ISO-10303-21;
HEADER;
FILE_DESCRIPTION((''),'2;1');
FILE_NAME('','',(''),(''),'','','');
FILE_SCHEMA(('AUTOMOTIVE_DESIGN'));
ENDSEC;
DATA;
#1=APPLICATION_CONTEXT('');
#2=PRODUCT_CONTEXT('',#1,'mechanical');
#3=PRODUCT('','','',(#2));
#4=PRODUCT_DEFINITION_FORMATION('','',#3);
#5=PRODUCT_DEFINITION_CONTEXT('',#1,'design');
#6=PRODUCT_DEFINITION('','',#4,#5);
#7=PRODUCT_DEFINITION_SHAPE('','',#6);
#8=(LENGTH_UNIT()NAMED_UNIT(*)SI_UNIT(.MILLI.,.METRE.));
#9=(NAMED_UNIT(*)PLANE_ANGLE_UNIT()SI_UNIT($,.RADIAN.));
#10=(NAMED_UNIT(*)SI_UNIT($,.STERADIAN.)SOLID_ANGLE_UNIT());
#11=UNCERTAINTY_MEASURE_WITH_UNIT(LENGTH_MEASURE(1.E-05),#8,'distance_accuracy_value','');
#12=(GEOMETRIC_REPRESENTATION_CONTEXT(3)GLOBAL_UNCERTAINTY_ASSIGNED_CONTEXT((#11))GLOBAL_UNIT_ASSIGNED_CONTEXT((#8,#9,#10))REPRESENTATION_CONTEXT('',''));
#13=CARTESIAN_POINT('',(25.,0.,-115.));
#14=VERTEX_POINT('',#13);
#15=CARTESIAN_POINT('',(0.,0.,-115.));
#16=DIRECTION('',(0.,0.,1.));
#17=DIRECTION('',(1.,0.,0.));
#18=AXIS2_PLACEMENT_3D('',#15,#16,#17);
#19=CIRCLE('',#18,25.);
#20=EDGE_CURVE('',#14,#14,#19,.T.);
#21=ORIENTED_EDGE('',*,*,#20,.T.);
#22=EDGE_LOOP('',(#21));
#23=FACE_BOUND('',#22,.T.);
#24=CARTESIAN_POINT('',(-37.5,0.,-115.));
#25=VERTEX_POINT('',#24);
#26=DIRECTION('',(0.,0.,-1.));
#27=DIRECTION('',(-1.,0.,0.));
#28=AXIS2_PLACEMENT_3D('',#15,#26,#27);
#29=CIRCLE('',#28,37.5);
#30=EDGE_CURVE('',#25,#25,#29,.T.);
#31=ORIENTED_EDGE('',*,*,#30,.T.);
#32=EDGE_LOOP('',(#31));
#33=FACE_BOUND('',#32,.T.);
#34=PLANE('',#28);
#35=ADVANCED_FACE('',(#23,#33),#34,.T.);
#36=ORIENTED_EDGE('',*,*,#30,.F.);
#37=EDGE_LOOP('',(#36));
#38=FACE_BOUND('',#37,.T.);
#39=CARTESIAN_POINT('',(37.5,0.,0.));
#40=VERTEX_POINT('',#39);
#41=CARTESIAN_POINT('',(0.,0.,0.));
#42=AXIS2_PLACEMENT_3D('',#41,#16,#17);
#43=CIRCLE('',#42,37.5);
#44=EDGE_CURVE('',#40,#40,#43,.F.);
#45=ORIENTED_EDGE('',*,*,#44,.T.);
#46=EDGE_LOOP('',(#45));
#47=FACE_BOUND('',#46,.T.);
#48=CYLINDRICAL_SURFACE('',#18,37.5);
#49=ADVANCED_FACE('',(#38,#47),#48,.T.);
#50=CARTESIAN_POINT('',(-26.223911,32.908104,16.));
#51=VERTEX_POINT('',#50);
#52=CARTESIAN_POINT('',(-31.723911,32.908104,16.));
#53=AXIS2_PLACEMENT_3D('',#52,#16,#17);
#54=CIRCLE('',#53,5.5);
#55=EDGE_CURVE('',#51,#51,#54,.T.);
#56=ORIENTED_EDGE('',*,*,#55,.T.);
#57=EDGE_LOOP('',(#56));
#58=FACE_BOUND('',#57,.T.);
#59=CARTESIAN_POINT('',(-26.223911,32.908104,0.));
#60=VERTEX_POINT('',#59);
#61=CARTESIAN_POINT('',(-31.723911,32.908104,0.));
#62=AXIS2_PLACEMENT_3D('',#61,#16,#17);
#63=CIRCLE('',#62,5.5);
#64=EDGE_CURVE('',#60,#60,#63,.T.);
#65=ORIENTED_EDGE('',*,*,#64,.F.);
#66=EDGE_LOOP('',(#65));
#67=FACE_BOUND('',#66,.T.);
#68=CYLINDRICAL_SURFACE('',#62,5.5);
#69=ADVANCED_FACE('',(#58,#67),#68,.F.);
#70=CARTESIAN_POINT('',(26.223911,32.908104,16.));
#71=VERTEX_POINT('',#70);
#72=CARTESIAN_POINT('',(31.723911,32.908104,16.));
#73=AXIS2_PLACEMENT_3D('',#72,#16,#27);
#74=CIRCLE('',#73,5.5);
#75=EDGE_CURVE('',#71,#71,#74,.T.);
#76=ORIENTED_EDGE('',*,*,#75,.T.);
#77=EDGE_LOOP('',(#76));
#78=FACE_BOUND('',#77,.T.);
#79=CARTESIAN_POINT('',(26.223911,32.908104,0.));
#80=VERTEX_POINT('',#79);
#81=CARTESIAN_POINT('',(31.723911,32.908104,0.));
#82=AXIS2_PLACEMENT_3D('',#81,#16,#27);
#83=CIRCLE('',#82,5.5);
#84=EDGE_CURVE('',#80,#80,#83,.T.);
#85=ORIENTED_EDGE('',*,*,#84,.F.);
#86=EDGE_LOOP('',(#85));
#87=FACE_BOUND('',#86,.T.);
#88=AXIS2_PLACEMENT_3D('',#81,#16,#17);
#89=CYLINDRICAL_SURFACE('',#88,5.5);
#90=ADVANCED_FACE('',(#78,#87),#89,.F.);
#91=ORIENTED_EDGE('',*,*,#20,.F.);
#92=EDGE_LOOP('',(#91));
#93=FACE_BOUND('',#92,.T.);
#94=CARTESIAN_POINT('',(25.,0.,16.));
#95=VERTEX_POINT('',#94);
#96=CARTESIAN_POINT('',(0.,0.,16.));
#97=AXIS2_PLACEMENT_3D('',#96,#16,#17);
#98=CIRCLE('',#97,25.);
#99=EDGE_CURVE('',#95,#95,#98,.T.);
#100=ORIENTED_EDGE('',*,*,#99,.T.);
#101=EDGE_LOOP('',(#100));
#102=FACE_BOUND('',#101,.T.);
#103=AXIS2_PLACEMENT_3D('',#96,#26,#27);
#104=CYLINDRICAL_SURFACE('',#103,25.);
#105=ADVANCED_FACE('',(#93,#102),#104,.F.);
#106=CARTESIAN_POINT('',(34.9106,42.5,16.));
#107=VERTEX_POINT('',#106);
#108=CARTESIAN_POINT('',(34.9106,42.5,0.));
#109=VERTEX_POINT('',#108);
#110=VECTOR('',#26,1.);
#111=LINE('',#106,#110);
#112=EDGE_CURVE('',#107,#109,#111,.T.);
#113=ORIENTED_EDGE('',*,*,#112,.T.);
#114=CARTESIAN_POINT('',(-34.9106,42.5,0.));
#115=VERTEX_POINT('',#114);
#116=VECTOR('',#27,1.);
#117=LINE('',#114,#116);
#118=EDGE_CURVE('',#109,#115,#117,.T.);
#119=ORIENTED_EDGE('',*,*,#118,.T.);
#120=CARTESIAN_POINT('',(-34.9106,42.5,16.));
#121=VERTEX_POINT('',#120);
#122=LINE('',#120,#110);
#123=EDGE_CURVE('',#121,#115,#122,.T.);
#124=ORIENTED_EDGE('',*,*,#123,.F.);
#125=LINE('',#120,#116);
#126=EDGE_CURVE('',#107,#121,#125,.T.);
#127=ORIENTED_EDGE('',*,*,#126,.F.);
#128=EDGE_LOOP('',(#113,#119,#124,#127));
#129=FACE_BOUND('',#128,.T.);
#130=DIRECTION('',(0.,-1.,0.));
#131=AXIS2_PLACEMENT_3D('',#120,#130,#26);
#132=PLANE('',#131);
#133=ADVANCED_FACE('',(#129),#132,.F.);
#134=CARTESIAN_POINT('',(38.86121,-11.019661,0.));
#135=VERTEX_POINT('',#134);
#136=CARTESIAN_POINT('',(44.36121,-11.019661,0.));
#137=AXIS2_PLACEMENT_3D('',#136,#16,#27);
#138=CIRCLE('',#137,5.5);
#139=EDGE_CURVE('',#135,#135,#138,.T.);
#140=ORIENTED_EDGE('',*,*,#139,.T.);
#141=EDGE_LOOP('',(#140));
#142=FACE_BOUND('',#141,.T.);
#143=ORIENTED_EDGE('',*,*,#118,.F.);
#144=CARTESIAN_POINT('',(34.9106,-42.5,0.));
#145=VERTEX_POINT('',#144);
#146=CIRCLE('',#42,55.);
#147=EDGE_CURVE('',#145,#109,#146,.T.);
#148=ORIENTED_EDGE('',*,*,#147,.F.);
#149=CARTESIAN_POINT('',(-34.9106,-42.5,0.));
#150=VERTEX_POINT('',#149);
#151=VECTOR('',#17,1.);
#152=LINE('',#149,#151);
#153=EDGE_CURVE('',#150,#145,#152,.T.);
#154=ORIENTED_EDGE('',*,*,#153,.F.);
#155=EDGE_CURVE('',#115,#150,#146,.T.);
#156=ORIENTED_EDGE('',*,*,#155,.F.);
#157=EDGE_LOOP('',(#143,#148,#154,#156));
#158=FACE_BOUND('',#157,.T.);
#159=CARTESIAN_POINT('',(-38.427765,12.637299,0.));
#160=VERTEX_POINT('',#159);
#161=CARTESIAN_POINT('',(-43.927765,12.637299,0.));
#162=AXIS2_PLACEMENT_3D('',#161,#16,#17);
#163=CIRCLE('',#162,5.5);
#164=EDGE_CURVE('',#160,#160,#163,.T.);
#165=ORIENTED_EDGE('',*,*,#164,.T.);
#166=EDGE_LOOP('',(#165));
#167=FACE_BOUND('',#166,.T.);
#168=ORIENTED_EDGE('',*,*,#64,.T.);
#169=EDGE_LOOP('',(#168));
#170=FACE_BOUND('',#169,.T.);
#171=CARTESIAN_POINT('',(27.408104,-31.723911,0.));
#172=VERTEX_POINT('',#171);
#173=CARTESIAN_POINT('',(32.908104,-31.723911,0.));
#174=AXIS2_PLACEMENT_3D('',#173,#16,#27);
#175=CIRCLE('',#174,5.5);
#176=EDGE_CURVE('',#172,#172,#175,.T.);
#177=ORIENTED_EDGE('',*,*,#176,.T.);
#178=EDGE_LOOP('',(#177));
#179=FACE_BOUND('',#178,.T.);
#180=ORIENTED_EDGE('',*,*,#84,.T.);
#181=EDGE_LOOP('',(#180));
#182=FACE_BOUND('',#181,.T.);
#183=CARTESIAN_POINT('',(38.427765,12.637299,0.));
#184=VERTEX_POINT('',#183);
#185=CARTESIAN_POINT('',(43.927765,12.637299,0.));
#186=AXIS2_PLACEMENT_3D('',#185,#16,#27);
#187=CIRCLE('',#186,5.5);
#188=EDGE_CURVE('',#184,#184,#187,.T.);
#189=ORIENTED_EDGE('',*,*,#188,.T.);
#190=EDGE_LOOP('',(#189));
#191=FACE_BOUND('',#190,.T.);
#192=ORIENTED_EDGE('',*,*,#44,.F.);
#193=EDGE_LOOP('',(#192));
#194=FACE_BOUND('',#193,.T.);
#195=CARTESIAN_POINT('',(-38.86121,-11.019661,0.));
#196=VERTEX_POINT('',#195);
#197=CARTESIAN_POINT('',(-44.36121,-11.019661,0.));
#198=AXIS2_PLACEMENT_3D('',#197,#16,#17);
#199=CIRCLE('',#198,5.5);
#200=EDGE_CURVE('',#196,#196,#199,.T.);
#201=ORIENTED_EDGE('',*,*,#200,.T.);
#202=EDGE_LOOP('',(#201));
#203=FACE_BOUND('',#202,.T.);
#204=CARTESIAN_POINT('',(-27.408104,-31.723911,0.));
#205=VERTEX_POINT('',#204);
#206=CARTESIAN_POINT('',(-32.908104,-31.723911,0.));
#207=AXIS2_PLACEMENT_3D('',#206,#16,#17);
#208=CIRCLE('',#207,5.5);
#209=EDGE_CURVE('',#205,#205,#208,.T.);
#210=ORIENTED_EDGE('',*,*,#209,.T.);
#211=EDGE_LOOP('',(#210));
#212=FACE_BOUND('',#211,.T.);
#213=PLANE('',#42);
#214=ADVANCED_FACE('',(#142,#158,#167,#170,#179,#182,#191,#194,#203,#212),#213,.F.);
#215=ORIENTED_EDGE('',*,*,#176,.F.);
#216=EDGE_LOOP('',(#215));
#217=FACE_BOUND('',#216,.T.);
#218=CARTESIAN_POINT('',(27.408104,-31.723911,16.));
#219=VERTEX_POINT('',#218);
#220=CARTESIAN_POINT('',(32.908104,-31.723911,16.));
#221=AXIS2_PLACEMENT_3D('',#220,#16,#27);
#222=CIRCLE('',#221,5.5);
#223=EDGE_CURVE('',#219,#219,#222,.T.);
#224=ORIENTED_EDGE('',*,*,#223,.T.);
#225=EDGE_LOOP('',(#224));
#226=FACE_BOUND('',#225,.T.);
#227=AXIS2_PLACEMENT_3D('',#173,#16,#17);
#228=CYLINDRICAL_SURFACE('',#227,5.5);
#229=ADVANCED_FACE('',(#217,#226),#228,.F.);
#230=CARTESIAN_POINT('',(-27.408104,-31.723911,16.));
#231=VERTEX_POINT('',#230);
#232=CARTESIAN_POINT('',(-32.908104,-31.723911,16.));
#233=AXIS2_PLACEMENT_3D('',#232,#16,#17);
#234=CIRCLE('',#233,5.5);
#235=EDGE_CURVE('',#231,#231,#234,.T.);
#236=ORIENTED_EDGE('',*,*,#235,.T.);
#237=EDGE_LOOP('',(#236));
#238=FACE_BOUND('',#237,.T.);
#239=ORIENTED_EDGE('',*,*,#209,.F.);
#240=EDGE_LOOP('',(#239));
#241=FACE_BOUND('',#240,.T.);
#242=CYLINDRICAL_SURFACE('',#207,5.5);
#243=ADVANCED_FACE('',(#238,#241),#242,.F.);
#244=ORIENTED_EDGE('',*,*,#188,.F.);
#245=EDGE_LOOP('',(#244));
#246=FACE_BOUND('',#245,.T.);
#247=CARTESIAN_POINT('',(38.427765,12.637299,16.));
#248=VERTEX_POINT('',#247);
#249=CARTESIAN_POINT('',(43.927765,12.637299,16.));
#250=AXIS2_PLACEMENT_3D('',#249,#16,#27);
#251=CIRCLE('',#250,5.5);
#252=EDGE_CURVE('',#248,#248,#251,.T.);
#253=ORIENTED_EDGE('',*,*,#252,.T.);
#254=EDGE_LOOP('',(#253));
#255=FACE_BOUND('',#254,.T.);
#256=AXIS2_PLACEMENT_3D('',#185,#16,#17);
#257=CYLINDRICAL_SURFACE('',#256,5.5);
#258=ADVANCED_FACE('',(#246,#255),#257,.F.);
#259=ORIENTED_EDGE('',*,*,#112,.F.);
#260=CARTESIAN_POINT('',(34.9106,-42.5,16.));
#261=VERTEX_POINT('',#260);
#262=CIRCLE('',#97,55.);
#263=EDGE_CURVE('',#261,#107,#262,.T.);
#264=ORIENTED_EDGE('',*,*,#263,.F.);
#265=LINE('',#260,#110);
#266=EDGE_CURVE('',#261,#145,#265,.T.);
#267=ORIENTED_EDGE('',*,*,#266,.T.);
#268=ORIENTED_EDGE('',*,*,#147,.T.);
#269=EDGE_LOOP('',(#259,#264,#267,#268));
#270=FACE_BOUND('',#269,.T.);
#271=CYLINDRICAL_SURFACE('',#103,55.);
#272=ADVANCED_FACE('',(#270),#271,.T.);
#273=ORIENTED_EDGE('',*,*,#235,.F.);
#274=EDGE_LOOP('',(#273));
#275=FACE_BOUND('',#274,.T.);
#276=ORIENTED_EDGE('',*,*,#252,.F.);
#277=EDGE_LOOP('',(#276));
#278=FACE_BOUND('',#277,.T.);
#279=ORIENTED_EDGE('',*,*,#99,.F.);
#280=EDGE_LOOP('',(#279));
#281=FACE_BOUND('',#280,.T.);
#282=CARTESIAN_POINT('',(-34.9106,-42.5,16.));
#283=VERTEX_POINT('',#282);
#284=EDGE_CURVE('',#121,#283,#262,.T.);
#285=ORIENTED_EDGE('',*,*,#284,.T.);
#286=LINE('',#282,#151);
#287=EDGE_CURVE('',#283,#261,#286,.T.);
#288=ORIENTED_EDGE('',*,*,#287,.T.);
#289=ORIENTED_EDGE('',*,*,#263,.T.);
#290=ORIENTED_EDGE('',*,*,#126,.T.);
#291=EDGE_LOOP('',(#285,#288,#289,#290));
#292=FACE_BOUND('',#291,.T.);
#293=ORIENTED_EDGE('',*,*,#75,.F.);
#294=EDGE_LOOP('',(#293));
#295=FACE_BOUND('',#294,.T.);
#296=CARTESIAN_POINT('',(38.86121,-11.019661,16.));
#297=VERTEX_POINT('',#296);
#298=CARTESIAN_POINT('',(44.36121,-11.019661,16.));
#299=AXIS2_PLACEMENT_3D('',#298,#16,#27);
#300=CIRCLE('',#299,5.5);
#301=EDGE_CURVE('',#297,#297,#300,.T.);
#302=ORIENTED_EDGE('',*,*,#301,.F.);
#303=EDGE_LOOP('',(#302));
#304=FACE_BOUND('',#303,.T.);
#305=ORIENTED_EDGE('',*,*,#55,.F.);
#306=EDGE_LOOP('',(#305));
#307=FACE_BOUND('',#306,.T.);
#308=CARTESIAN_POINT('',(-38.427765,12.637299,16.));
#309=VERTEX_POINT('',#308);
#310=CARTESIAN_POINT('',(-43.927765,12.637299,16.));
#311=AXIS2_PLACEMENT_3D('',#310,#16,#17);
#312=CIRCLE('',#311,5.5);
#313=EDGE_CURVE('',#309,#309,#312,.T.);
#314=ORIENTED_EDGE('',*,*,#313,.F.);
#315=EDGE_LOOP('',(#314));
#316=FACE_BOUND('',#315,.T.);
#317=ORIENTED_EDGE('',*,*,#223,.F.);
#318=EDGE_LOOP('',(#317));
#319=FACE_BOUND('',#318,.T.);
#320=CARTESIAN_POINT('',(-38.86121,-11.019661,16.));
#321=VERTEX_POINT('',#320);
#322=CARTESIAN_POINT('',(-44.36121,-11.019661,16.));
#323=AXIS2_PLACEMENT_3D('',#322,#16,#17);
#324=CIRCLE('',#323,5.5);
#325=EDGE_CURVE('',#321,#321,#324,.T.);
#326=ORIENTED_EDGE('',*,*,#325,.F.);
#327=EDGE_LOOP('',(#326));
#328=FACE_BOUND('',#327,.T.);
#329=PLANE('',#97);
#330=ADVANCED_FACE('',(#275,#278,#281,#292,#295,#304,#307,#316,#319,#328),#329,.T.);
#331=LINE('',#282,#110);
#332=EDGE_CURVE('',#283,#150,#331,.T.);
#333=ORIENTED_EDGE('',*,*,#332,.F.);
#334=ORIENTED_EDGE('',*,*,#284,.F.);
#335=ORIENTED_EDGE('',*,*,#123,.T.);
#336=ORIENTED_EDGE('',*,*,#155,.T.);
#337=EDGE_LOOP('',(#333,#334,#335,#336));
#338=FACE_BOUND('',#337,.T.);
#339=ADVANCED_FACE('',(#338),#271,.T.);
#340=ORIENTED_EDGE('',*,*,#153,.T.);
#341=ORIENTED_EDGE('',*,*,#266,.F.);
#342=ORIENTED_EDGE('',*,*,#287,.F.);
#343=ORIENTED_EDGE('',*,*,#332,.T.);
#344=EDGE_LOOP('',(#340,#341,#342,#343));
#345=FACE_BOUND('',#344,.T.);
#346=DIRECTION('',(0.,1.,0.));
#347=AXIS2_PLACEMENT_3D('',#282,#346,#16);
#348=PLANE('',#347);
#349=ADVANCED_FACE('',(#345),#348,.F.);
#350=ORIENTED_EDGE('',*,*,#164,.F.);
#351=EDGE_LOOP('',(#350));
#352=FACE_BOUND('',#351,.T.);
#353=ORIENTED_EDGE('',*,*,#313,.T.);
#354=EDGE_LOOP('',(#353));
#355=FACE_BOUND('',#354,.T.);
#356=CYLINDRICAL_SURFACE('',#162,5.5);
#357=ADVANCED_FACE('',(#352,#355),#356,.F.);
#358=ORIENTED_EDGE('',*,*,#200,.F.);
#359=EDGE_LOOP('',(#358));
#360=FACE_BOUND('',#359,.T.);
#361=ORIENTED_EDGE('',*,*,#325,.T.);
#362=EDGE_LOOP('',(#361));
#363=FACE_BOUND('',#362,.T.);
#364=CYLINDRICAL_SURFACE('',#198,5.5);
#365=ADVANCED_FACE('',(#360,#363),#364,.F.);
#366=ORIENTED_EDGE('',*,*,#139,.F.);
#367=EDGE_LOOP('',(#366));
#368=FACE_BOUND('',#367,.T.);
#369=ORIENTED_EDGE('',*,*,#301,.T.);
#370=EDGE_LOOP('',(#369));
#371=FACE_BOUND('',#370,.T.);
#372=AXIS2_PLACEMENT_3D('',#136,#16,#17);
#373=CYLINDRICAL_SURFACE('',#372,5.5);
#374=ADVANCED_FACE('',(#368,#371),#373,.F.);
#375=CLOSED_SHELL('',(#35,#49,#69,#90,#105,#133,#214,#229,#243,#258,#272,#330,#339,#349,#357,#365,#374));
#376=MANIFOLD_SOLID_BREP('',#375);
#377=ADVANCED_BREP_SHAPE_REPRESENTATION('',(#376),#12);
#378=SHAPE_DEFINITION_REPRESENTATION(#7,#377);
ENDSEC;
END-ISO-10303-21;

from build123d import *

# Parameters (mm, degrees)
SKETCH_1_R          = 25
EXTRUDE_1_DEPTH     = 16
SKETCH_2_R          = 5.5
CUT_EXTRUDE_1_DEPTH = 72.324960568
SKETCH_3_R          = 37.5
EXTRUDE_2_DEPTH     = 115
SKETCH_4_R          = 25
CUT_EXTRUDE_2_DEPTH = 135.373546504


with BuildPart() as part:
    # 草图1 → 凸台-拉伸1 (new body)
    with BuildSketch(Plane.XY):
        with BuildLine():
            Line((-34.910600109, 42.5), (34.910600109, 42.5))
            ThreePointArc((34.910600109, 42.5), (55, 0), (34.910600109, -42.5))
            Line((34.910600109, -42.5), (-34.910600109, -42.5))
            ThreePointArc((-34.910600109, -42.5), (-55, 0), (-34.910600109, 42.5))
        make_face()
        Circle(SKETCH_1_R, mode=Mode.SUBTRACT)
    extrude(amount=EXTRUDE_1_DEPTH)

    # 草图2 → 切除-拉伸1 (cut, through all)
    with BuildSketch(Plane.XY.offset(16)):
        with Locations((-31.723911196, 32.908104345)):
            Circle(SKETCH_2_R)
        with Locations((-43.927765176, 12.637298755)):
            Circle(SKETCH_2_R)
        with Locations((-44.361209952, -11.019660831)):
            Circle(SKETCH_2_R)
        with Locations((-32.908104345, -31.723911196)):
            Circle(SKETCH_2_R)
        with Locations(Location((32.908104345, -31.723911196, 0), (0, 0, 180))):
            Circle(SKETCH_2_R)
        with Locations(Location((44.361209952, -11.019660831, 0), (0, 0, 180))):
            Circle(SKETCH_2_R)
        with Locations(Location((43.927765176, 12.637298755, 0), (0, 0, 180))):
            Circle(SKETCH_2_R)
        with Locations(Location((31.723911196, 32.908104345, 0), (0, 0, 180))):
            Circle(SKETCH_2_R)
    extrude(amount=-CUT_EXTRUDE_1_DEPTH, mode=Mode.SUBTRACT)

    # 草图3 → 凸台-拉伸2 (add)
    with BuildSketch(Plane(origin=(0, 0, 0), x_dir=(-1, 0, 0), z_dir=(0, 0, -1))):
        with Locations(Location((0, 0, 0), (0, 0, 180))):
            Circle(SKETCH_3_R)
    extrude(amount=EXTRUDE_2_DEPTH)

    # 草图4 → 切除-拉伸2 (cut, through all)
    with BuildSketch(Plane.XY):
        Circle(SKETCH_4_R)
    extrude(amount=-CUT_EXTRUDE_2_DEPTH, mode=Mode.SUBTRACT)


solid = part.part
